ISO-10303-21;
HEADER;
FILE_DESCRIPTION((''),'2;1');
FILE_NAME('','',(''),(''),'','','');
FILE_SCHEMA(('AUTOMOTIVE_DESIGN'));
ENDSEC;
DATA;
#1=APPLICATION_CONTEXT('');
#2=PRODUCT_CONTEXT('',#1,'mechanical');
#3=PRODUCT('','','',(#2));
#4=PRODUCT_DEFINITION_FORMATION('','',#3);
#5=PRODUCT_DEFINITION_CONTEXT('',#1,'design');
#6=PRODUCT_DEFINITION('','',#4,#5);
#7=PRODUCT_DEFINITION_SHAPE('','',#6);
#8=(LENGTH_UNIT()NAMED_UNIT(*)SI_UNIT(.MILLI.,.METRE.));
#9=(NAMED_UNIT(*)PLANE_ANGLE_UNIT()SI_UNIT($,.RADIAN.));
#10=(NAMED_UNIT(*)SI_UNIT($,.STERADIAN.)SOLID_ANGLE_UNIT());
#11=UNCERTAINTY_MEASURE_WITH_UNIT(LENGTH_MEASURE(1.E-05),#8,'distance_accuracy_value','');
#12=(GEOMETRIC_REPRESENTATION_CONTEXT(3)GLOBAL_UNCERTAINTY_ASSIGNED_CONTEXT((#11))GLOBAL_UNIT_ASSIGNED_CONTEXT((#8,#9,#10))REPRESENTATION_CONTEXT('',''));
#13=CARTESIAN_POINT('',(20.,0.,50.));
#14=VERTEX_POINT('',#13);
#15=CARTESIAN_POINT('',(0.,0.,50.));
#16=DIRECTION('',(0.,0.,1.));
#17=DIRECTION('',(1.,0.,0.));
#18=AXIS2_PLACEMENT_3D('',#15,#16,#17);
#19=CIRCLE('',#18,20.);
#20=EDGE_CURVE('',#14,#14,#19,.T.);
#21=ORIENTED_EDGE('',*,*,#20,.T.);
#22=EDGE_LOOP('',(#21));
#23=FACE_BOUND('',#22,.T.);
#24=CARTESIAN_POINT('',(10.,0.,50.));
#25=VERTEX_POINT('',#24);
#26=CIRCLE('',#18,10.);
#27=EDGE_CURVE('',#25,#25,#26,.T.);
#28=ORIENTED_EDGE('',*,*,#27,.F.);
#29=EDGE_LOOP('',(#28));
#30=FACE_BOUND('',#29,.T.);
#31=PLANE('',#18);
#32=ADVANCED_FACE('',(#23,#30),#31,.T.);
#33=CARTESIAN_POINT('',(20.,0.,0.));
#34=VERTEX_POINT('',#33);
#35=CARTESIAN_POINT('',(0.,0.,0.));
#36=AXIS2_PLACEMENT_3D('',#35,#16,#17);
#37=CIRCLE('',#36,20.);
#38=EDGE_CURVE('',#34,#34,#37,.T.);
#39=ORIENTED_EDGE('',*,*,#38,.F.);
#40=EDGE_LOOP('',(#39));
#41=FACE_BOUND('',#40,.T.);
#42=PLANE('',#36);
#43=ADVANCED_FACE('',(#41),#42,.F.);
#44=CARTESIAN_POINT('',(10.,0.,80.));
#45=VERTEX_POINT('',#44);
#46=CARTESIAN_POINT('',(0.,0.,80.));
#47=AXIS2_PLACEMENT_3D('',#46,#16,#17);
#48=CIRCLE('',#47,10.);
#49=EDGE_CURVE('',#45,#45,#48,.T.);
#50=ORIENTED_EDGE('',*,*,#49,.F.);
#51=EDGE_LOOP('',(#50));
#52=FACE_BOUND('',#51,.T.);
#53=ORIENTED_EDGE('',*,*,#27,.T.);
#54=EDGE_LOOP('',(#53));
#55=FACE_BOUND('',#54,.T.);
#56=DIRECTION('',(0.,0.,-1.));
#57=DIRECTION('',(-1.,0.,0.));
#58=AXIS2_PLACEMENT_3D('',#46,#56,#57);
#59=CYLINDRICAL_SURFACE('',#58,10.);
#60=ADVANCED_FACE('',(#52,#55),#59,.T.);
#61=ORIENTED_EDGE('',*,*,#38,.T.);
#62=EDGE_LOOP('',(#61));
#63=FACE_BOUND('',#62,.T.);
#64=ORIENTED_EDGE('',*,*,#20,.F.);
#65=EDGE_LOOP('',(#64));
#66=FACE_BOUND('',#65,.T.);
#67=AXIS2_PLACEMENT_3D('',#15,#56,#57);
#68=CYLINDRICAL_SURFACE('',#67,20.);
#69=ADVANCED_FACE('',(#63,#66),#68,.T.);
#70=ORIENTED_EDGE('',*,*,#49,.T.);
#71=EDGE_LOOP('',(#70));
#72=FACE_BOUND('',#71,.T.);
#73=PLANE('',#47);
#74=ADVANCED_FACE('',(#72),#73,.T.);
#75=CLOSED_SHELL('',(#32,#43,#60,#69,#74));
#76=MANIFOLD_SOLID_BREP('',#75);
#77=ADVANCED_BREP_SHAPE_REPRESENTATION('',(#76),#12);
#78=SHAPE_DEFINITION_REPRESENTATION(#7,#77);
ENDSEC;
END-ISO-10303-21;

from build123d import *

# Parameters (mm, degrees)
SKETCH1_R           = 20
BOSS_EXTRUDE1_DEPTH = 50
SKETCH4_R           = 10
BOSS_EXTRUDE2_DEPTH = 30


with BuildPart() as part:
    # Sketch1 → Boss-Extrude1 (new body)
    with BuildSketch(Plane.XY):
        Circle(SKETCH1_R)
    extrude(amount=BOSS_EXTRUDE1_DEPTH)

    # Sketch4 → Boss-Extrude2 (add)
    with BuildSketch(Plane.XY.offset(50)):
        Circle(SKETCH4_R)
    extrude(amount=BOSS_EXTRUDE2_DEPTH)


solid = part.part
